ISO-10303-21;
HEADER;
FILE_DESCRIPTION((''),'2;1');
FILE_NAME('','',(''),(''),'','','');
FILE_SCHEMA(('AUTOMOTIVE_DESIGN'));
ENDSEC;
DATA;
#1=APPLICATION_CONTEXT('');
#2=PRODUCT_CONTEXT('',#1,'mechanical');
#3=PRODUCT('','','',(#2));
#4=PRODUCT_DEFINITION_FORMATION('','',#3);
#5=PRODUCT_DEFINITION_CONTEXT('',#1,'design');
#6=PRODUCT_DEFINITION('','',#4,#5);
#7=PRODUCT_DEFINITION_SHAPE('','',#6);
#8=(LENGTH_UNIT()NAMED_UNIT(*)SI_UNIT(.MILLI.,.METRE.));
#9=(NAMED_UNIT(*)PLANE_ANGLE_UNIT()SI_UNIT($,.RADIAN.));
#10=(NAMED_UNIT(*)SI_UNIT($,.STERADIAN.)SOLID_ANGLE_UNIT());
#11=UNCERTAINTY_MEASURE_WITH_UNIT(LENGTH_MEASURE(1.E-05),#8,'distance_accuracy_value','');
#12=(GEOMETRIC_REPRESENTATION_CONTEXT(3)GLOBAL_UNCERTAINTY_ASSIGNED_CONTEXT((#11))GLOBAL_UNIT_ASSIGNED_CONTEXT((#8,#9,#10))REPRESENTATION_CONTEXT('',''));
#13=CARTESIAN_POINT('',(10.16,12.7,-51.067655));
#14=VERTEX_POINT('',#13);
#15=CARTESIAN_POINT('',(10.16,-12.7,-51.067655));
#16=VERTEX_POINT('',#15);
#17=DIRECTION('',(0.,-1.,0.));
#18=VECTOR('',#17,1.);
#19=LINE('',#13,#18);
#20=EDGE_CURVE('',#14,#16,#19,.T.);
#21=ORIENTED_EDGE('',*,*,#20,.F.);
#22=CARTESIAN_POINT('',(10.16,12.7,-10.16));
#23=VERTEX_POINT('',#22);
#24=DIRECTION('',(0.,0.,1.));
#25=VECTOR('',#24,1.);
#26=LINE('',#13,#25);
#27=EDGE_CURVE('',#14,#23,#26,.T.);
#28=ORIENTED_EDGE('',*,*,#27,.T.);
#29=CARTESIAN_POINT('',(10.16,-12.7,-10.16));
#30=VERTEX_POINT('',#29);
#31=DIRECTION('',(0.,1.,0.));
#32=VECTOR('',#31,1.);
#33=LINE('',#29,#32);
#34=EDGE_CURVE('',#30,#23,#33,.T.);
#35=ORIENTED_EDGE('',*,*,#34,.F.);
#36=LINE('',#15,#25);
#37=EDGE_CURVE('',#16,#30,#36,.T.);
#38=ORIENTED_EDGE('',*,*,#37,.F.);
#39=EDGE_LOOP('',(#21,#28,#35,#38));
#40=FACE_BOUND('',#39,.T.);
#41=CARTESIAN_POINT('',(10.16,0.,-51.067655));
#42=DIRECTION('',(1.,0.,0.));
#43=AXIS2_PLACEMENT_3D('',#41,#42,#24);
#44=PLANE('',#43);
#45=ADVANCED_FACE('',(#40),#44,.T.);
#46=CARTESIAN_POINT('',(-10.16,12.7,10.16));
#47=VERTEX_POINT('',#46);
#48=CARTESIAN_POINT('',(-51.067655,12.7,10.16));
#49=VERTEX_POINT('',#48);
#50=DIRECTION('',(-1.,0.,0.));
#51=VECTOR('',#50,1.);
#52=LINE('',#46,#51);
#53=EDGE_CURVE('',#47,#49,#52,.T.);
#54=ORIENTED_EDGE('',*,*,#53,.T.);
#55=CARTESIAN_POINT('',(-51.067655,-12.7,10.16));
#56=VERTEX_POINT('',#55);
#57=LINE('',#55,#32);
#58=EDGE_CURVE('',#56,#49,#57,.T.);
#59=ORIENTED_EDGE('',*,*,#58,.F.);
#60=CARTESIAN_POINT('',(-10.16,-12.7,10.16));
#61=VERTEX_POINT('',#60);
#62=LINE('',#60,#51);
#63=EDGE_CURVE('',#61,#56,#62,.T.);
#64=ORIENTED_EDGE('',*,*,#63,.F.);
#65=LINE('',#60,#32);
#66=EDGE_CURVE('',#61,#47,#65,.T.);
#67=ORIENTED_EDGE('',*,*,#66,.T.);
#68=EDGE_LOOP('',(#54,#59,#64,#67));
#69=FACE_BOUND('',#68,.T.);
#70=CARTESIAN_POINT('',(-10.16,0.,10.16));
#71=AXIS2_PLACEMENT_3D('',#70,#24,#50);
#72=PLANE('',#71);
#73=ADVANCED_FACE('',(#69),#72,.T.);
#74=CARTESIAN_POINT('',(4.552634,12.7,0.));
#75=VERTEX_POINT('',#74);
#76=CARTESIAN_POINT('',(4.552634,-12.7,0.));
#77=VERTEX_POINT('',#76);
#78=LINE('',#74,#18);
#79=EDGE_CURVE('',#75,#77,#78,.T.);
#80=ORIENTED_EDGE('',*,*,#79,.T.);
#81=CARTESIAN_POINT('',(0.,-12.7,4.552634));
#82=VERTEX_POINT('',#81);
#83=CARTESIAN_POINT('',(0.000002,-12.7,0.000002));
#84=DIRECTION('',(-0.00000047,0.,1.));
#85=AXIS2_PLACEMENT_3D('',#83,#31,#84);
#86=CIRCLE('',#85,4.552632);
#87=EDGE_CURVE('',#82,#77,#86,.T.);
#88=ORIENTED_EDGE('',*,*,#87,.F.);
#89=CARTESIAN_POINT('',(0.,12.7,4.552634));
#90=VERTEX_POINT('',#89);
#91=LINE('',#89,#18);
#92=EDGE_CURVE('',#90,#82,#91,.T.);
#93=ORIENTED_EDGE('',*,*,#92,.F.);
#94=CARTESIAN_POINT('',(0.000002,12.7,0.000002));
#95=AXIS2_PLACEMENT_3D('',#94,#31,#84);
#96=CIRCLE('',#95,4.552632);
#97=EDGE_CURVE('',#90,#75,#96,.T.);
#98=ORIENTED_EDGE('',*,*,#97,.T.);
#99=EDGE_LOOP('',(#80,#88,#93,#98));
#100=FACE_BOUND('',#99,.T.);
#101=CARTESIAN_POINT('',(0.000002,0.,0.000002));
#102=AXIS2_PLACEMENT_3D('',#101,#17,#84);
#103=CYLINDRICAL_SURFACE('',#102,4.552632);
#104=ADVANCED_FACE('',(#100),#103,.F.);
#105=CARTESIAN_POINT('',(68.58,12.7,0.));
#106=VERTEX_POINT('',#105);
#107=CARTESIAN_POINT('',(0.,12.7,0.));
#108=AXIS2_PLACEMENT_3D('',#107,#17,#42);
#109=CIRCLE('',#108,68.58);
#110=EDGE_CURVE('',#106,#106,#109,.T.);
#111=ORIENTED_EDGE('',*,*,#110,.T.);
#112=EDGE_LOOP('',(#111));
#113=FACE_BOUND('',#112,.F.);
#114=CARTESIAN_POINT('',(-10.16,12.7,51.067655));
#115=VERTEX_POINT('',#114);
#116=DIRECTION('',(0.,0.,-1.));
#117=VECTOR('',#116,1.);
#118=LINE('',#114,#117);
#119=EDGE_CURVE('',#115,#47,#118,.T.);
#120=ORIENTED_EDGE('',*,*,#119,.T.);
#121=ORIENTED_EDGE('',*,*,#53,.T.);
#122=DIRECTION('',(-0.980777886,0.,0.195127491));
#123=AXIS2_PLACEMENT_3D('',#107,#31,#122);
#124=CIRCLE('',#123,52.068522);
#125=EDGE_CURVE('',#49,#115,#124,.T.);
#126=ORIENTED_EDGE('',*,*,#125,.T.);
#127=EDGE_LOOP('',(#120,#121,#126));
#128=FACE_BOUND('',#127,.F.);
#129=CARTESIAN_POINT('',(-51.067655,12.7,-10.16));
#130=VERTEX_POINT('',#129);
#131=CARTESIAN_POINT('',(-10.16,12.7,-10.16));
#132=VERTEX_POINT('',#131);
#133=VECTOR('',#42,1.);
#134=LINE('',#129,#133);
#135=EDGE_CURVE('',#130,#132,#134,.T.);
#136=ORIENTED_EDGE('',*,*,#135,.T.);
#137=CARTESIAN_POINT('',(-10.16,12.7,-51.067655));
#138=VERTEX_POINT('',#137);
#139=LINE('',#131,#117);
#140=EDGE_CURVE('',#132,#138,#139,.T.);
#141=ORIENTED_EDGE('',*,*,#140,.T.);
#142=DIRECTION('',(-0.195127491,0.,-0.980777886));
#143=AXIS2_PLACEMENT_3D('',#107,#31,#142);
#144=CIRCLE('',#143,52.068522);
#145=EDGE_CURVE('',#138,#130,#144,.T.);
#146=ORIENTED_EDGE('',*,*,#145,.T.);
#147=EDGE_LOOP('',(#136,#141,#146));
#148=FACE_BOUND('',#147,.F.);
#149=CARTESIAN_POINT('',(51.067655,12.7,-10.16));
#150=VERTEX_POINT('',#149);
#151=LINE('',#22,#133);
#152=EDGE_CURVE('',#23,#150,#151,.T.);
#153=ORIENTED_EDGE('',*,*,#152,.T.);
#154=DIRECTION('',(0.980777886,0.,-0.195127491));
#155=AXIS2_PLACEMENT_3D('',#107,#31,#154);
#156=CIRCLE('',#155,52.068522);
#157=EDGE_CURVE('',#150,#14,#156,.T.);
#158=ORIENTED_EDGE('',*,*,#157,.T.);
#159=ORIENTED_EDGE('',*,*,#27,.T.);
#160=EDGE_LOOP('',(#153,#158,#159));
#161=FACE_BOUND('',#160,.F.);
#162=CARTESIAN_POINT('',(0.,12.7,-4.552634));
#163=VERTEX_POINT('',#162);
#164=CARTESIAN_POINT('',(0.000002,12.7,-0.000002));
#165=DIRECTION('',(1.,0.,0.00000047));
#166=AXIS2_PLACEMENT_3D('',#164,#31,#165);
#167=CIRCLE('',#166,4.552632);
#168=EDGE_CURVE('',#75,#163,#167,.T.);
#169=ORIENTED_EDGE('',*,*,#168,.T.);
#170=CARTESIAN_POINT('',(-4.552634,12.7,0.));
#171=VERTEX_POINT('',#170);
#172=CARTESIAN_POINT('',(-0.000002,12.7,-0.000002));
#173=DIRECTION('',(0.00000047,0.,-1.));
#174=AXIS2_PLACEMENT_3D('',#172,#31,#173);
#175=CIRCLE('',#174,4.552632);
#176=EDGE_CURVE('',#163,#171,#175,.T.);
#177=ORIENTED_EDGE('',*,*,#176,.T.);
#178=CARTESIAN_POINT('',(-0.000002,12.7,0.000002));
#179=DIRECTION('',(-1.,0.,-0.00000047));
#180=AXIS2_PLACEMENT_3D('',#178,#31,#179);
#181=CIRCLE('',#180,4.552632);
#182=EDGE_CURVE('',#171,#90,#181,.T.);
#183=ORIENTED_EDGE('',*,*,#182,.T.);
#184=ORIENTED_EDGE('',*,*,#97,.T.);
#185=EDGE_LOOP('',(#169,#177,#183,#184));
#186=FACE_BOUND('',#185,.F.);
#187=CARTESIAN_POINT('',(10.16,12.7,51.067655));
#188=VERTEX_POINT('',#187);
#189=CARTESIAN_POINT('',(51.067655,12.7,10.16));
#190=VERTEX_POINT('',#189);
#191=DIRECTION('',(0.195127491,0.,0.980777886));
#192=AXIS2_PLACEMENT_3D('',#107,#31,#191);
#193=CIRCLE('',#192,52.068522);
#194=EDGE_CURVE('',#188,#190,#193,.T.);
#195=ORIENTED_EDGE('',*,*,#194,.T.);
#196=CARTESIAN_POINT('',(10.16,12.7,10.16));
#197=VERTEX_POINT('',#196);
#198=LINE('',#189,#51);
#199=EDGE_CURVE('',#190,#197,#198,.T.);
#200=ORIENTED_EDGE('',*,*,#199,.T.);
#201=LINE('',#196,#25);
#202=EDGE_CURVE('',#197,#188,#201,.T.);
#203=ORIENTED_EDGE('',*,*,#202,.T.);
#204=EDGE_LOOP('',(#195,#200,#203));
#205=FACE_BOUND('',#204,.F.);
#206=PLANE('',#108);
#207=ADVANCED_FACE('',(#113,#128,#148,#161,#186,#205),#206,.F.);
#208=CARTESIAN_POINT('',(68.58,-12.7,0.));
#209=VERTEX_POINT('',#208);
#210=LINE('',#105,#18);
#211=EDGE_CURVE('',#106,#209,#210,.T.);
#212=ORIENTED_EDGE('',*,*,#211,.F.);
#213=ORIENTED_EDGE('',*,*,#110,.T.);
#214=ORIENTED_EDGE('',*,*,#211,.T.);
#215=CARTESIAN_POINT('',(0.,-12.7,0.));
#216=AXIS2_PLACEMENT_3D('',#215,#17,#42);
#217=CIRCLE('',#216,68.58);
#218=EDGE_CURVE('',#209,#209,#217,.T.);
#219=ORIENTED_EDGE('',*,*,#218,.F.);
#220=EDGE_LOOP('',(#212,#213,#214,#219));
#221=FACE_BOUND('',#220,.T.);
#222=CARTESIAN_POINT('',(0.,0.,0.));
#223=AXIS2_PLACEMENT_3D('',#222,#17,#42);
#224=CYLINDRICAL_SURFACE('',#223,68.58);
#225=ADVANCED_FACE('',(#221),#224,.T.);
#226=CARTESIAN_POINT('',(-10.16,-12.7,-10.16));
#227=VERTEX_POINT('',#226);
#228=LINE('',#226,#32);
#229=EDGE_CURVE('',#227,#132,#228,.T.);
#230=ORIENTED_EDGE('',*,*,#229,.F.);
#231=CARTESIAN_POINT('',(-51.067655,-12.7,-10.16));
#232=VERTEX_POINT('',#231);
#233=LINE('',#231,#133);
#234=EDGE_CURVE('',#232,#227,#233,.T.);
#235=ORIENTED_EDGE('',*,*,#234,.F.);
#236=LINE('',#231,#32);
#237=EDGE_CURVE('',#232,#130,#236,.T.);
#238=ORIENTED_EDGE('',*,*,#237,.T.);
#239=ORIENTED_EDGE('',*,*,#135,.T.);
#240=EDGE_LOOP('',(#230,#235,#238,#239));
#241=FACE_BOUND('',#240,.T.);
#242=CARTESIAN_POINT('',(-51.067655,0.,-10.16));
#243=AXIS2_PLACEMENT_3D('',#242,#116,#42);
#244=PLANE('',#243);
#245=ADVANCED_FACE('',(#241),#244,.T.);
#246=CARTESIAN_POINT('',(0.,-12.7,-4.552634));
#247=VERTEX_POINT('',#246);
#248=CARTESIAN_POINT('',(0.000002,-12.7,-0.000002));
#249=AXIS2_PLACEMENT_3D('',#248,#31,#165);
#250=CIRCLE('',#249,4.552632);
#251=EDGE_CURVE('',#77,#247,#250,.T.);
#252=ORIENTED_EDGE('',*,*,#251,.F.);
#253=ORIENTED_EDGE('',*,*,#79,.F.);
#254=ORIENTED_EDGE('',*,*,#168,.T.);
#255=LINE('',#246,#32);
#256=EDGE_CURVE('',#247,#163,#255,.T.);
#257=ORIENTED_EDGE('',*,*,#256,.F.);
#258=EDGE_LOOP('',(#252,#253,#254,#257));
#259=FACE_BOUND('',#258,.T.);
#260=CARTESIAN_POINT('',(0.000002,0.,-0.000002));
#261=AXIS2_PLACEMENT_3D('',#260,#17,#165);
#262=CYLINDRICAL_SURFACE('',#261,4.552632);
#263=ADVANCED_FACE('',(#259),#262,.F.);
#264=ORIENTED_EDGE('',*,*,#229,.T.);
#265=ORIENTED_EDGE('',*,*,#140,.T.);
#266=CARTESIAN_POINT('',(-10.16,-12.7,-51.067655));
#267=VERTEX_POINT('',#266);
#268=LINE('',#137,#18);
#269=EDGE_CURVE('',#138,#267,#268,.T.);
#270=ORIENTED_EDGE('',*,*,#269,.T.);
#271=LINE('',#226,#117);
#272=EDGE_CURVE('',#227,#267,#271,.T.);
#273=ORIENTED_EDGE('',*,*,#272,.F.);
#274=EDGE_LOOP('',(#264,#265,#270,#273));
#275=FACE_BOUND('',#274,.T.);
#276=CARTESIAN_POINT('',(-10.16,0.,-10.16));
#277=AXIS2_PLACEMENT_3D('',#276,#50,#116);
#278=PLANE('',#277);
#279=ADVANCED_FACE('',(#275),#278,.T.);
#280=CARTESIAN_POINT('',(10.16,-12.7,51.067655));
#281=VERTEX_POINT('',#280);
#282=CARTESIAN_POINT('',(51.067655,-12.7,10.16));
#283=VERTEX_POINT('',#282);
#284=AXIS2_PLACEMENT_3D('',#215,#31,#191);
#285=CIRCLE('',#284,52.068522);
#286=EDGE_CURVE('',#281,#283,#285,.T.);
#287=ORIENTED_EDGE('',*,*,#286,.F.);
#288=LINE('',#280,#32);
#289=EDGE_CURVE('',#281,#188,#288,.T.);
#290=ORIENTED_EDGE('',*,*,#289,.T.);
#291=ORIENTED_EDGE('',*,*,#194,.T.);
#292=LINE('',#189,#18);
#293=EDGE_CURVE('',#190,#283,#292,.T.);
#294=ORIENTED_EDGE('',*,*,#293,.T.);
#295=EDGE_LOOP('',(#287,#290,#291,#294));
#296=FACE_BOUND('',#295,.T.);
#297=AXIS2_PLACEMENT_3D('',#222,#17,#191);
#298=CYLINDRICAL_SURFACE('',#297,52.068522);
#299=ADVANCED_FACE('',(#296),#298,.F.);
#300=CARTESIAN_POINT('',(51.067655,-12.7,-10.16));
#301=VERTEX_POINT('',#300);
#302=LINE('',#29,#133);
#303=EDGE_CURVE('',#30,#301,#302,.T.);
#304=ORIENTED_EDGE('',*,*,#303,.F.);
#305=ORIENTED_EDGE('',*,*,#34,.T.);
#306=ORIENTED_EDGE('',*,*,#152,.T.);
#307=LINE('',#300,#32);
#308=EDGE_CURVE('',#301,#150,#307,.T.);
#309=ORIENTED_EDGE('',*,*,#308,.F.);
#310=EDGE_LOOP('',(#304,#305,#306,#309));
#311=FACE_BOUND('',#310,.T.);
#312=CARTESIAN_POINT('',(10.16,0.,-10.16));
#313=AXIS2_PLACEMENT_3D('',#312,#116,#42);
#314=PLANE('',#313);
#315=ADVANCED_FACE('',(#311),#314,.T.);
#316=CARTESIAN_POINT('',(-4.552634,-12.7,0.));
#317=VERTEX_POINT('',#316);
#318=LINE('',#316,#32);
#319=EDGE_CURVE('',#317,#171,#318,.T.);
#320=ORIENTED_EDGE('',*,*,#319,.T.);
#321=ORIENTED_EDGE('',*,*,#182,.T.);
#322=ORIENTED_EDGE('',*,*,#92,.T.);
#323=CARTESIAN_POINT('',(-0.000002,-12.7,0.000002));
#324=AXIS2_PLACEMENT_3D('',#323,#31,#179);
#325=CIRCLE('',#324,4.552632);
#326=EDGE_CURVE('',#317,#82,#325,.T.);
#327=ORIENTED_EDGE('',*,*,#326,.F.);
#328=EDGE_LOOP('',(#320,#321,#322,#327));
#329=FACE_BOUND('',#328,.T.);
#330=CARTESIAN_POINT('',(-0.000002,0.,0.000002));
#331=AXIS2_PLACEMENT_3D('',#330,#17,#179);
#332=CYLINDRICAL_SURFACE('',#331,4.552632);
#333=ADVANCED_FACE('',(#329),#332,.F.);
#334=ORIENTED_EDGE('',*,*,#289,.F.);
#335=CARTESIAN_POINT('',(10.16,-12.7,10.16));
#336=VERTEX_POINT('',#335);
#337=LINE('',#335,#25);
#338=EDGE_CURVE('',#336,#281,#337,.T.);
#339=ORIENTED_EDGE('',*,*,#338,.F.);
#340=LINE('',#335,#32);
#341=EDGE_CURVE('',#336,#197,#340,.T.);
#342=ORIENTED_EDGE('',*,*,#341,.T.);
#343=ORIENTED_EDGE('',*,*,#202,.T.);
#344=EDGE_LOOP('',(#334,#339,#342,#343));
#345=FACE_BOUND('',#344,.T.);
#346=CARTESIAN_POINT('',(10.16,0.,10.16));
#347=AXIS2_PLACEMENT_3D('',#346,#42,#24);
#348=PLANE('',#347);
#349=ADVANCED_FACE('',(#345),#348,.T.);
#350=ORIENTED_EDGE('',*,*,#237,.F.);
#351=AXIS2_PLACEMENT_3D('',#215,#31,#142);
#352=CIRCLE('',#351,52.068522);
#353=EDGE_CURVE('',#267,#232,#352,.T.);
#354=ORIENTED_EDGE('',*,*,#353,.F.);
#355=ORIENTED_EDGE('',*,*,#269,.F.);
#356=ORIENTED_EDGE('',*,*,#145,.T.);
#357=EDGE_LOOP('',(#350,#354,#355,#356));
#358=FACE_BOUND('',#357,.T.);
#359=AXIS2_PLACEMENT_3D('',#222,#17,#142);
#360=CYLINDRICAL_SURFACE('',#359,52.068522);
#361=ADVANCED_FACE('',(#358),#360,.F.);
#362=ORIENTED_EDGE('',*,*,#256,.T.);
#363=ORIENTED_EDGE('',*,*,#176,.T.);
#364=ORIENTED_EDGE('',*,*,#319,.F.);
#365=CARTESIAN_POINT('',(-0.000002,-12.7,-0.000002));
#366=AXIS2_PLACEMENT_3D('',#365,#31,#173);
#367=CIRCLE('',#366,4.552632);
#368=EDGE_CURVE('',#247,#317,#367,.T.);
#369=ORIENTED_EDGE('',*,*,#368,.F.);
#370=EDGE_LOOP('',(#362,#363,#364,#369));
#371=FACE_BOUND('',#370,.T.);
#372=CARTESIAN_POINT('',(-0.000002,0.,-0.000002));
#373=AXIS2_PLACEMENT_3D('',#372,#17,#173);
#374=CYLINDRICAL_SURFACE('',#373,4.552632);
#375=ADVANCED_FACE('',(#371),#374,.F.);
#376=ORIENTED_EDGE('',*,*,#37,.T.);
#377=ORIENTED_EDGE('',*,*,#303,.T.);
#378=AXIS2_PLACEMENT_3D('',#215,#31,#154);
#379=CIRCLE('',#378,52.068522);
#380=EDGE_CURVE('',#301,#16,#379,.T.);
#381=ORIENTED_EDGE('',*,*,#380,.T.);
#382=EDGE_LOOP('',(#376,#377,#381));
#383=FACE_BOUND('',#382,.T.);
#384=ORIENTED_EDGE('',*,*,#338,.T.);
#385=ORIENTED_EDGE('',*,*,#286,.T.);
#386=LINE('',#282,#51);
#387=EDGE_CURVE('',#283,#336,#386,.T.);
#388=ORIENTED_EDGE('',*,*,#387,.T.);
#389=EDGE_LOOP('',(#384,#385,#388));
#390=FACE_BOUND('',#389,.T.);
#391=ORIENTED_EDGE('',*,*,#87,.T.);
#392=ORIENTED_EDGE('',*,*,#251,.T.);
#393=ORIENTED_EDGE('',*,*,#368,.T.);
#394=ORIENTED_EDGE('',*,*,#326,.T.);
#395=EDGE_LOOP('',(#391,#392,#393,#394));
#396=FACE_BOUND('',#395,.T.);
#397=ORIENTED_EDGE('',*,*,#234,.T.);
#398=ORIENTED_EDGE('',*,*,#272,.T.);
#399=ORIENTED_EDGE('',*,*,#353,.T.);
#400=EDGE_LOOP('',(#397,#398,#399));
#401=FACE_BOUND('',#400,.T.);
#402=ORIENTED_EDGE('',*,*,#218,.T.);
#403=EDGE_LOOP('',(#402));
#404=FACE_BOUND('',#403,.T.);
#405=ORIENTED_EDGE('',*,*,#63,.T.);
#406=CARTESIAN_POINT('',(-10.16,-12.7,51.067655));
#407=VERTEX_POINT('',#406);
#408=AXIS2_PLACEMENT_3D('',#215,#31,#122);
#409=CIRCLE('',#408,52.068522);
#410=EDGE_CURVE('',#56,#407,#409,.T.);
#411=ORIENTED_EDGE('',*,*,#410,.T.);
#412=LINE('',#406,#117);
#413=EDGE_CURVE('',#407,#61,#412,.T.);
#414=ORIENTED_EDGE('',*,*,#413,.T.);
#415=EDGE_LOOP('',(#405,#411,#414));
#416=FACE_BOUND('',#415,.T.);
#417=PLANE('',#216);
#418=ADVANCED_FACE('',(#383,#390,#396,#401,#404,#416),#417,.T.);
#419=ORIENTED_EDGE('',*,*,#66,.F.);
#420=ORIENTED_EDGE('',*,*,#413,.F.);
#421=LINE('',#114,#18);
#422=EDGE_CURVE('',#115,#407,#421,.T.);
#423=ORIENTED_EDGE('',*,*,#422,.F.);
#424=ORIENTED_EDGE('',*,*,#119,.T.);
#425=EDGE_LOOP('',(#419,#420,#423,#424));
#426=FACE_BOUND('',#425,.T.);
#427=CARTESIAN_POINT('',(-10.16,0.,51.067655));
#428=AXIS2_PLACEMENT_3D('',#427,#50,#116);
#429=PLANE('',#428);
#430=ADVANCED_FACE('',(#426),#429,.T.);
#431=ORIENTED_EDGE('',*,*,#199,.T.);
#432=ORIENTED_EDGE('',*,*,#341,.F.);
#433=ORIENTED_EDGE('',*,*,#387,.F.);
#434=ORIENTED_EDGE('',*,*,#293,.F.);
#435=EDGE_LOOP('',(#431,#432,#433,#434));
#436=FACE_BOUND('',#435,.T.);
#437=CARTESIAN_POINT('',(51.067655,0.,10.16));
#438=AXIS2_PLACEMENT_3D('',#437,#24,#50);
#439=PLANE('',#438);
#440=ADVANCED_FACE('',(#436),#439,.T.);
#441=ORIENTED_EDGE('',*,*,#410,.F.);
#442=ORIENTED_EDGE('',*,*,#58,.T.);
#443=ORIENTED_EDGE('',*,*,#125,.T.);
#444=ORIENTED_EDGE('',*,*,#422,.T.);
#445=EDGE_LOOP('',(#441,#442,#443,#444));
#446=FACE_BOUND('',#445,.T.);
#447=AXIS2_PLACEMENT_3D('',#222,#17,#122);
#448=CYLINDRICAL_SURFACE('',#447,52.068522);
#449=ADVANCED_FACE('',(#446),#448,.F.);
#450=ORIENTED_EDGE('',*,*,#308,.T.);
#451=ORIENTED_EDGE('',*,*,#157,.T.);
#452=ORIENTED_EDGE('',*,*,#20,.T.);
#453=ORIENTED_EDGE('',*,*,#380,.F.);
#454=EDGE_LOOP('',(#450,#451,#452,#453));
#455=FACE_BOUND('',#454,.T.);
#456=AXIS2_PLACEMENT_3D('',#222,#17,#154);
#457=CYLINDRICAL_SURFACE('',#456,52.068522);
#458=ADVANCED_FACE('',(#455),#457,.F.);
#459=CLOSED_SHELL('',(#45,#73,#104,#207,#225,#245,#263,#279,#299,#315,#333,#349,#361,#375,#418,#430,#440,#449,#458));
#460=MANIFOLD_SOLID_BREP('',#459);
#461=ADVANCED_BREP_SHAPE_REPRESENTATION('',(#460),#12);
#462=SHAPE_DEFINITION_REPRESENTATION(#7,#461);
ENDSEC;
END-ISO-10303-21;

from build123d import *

# Parameters (mm, degrees)
F0_R     = 68.58
F1_DEPTH = 12.7


with BuildPart() as f1:
    # F0 (on Front) → F1 (new body, symmetric)
    with BuildSketch(Plane.XZ):
        Circle(F0_R)
        with BuildLine():
            ThreePointArc((-10.16, -51.067655), (-36.818005, -36.818005), (-51.067655, -10.16))
            Line((-51.067655, -10.16), (-10.16, -10.16))
            Line((-10.16, -10.16), (-10.16, -15.864073))
            Line((-10.16, -15.864073), (-10.16, -51.067655))
        make_face(mode=Mode.SUBTRACT)
        with BuildLine():
            Line((10.16, -51.067655), (10.16, -10.16))
            Line((10.16, -10.16), (51.067655, -10.16))
            ThreePointArc((51.067655, -10.16), (36.818005, -36.818005), (10.16, -51.067655))
        make_face(mode=Mode.SUBTRACT)
        with BuildLine():
            Line((-10.16, 51.067655), (-10.16, 10.16))
            Line((-10.16, 10.16), (-51.067655, 10.16))
            ThreePointArc((-51.067655, 10.16), (-36.818005, 36.818005), (-10.16, 51.067655))
        make_face(mode=Mode.SUBTRACT)
        with BuildLine():
            ThreePointArc((0, 4.552634), (3.219199, 3.219199), (4.552634, 0))
            ThreePointArc((4.552634, 0), (3.219199, -3.219199), (0, -4.552634))
            ThreePointArc((0, -4.552634), (-3.219199, -3.219199), (-4.552634, 0))
            ThreePointArc((-4.552634, 0), (-3.219199, 3.219199), (0, 4.552634))
        make_face(mode=Mode.SUBTRACT)
        with BuildLine():
            Line((51.067655, 10.16), (10.16, 10.16))
            Line((10.16, 10.16), (10.16, 51.067655))
            ThreePointArc((10.16, 51.067655), (36.818005, 36.818005), (51.067655, 10.16))
        make_face(mode=Mode.SUBTRACT)
    extrude(amount=F1_DEPTH, both=True)


solid = f1.part
